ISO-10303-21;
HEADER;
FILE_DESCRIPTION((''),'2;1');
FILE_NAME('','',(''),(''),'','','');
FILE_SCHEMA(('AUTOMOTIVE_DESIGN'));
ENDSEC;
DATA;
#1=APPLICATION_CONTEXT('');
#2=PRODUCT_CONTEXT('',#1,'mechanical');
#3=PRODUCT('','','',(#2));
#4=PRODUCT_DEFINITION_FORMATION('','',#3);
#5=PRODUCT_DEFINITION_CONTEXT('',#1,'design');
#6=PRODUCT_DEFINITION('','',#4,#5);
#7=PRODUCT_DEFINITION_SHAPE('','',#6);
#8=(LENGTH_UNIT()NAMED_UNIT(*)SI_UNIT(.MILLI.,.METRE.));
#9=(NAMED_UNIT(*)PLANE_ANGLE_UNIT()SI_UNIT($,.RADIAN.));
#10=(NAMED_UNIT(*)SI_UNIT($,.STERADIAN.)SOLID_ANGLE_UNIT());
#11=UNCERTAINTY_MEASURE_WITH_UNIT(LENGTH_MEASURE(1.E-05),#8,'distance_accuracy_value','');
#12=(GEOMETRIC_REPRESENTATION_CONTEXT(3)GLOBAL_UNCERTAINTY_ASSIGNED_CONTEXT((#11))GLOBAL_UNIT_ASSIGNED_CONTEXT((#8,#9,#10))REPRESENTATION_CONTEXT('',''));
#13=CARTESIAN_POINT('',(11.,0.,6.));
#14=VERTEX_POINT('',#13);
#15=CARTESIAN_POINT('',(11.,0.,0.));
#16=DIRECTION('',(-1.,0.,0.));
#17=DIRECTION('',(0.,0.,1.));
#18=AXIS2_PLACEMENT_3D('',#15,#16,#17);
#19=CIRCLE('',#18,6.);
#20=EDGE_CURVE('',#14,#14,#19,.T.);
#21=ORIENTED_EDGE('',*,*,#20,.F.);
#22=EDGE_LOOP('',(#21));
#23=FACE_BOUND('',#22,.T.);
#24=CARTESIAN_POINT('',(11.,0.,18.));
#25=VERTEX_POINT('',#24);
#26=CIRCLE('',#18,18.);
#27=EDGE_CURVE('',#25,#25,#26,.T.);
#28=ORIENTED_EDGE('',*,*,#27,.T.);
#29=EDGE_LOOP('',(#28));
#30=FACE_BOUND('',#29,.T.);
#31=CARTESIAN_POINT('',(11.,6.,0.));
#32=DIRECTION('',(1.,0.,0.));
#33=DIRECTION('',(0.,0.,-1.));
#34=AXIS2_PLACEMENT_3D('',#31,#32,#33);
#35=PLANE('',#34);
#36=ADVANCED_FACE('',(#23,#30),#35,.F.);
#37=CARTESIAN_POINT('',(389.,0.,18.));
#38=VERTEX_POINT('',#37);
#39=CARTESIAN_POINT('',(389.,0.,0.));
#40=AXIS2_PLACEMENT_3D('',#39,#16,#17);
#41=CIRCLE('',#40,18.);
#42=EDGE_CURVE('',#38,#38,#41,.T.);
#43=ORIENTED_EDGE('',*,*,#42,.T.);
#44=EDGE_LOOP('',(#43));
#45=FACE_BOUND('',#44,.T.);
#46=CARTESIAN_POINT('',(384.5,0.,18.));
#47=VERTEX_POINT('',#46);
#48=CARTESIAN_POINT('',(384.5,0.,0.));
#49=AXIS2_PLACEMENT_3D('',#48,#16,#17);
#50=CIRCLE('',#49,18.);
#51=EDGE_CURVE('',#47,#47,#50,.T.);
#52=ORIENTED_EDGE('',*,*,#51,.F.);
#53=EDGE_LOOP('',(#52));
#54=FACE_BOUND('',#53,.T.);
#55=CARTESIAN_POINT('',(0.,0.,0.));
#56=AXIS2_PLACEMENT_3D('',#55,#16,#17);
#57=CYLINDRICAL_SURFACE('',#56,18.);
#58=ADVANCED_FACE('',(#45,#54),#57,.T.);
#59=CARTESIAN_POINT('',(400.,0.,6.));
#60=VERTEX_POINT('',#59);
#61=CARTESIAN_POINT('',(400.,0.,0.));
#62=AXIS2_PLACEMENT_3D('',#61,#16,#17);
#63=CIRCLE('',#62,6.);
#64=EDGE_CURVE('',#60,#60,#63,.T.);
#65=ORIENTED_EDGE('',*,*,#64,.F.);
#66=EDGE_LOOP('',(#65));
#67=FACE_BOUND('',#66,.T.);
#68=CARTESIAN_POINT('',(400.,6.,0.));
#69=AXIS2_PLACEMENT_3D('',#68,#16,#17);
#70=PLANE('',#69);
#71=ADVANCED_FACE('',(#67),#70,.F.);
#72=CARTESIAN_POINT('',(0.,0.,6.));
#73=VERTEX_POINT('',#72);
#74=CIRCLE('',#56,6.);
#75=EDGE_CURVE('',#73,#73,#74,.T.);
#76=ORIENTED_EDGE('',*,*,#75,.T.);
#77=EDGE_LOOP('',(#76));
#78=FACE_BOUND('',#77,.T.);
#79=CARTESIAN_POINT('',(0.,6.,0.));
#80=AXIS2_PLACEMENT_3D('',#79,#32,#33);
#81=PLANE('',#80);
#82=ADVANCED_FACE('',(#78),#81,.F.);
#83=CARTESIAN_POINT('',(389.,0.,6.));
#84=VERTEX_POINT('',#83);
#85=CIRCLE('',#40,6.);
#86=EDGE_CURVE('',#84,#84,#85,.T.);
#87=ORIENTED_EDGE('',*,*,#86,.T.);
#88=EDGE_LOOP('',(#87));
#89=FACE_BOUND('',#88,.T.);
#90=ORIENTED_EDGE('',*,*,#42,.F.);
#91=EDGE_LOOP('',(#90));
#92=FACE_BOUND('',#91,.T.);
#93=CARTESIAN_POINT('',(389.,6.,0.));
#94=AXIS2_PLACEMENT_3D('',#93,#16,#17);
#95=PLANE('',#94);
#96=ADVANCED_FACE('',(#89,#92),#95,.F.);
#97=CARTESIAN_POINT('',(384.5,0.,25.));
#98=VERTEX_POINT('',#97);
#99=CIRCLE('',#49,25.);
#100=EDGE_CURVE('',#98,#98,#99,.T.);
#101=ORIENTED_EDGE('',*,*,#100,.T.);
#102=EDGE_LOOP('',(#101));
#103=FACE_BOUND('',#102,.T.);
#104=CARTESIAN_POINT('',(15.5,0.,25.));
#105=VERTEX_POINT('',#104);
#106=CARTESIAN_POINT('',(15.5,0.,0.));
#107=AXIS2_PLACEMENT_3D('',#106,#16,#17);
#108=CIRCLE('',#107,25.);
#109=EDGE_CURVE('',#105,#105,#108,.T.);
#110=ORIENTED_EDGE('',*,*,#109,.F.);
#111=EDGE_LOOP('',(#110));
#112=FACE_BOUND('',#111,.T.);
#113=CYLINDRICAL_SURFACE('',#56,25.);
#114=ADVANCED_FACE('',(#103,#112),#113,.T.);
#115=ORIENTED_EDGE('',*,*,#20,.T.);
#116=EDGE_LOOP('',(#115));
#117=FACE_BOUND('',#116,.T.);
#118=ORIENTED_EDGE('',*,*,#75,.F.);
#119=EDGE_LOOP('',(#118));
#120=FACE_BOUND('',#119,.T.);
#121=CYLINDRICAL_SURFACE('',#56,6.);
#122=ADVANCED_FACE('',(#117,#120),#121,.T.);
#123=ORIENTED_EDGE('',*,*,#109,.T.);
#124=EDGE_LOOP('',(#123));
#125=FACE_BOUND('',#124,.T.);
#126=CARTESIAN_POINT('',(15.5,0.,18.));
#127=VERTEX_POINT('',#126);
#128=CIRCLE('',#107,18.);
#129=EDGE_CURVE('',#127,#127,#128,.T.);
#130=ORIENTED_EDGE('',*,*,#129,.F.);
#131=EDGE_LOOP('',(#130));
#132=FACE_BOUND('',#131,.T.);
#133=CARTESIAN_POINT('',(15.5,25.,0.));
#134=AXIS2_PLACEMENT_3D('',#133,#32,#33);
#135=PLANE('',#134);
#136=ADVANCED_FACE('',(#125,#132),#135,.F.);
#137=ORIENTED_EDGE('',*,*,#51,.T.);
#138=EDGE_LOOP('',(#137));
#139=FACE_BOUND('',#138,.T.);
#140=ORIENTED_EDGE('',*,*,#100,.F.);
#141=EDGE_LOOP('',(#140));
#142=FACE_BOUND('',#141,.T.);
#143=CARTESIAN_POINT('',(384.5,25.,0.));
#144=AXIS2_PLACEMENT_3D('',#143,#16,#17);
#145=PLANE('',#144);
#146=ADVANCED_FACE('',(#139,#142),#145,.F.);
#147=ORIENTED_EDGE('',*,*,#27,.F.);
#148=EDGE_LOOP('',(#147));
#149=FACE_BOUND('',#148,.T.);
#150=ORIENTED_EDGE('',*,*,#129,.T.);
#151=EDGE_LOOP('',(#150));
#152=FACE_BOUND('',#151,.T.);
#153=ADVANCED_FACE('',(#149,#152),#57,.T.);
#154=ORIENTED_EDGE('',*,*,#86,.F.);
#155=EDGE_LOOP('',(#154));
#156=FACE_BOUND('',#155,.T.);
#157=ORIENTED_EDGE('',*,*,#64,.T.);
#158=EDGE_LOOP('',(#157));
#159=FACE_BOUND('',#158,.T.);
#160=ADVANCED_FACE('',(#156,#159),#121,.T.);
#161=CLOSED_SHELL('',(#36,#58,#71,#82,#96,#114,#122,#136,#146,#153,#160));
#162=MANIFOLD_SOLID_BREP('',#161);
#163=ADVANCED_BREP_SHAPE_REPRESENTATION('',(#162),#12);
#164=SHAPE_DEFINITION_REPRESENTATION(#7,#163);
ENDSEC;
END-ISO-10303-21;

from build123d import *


with BuildPart() as part:
    # 草图1 → 旋转1 (revolve)
    with BuildSketch(Plane.XY, mode=Mode.PRIVATE) as revolve_1_sk:
        Polygon((0, 0), (400, 0), (400, 6), (389, 6), (389, 18), (384.5, 18), (384.5, 25), (15.5, 25), (15.5, 18), (11, 18), (11, 6), (0, 6), align=None)
    revolve(revolve_1_sk.sketch.rotate(Axis((0, 0, 0), (1, 0, 0)), 90), axis=Axis((0, 0, 0), (1, 0, 0)))


solid = part.part
